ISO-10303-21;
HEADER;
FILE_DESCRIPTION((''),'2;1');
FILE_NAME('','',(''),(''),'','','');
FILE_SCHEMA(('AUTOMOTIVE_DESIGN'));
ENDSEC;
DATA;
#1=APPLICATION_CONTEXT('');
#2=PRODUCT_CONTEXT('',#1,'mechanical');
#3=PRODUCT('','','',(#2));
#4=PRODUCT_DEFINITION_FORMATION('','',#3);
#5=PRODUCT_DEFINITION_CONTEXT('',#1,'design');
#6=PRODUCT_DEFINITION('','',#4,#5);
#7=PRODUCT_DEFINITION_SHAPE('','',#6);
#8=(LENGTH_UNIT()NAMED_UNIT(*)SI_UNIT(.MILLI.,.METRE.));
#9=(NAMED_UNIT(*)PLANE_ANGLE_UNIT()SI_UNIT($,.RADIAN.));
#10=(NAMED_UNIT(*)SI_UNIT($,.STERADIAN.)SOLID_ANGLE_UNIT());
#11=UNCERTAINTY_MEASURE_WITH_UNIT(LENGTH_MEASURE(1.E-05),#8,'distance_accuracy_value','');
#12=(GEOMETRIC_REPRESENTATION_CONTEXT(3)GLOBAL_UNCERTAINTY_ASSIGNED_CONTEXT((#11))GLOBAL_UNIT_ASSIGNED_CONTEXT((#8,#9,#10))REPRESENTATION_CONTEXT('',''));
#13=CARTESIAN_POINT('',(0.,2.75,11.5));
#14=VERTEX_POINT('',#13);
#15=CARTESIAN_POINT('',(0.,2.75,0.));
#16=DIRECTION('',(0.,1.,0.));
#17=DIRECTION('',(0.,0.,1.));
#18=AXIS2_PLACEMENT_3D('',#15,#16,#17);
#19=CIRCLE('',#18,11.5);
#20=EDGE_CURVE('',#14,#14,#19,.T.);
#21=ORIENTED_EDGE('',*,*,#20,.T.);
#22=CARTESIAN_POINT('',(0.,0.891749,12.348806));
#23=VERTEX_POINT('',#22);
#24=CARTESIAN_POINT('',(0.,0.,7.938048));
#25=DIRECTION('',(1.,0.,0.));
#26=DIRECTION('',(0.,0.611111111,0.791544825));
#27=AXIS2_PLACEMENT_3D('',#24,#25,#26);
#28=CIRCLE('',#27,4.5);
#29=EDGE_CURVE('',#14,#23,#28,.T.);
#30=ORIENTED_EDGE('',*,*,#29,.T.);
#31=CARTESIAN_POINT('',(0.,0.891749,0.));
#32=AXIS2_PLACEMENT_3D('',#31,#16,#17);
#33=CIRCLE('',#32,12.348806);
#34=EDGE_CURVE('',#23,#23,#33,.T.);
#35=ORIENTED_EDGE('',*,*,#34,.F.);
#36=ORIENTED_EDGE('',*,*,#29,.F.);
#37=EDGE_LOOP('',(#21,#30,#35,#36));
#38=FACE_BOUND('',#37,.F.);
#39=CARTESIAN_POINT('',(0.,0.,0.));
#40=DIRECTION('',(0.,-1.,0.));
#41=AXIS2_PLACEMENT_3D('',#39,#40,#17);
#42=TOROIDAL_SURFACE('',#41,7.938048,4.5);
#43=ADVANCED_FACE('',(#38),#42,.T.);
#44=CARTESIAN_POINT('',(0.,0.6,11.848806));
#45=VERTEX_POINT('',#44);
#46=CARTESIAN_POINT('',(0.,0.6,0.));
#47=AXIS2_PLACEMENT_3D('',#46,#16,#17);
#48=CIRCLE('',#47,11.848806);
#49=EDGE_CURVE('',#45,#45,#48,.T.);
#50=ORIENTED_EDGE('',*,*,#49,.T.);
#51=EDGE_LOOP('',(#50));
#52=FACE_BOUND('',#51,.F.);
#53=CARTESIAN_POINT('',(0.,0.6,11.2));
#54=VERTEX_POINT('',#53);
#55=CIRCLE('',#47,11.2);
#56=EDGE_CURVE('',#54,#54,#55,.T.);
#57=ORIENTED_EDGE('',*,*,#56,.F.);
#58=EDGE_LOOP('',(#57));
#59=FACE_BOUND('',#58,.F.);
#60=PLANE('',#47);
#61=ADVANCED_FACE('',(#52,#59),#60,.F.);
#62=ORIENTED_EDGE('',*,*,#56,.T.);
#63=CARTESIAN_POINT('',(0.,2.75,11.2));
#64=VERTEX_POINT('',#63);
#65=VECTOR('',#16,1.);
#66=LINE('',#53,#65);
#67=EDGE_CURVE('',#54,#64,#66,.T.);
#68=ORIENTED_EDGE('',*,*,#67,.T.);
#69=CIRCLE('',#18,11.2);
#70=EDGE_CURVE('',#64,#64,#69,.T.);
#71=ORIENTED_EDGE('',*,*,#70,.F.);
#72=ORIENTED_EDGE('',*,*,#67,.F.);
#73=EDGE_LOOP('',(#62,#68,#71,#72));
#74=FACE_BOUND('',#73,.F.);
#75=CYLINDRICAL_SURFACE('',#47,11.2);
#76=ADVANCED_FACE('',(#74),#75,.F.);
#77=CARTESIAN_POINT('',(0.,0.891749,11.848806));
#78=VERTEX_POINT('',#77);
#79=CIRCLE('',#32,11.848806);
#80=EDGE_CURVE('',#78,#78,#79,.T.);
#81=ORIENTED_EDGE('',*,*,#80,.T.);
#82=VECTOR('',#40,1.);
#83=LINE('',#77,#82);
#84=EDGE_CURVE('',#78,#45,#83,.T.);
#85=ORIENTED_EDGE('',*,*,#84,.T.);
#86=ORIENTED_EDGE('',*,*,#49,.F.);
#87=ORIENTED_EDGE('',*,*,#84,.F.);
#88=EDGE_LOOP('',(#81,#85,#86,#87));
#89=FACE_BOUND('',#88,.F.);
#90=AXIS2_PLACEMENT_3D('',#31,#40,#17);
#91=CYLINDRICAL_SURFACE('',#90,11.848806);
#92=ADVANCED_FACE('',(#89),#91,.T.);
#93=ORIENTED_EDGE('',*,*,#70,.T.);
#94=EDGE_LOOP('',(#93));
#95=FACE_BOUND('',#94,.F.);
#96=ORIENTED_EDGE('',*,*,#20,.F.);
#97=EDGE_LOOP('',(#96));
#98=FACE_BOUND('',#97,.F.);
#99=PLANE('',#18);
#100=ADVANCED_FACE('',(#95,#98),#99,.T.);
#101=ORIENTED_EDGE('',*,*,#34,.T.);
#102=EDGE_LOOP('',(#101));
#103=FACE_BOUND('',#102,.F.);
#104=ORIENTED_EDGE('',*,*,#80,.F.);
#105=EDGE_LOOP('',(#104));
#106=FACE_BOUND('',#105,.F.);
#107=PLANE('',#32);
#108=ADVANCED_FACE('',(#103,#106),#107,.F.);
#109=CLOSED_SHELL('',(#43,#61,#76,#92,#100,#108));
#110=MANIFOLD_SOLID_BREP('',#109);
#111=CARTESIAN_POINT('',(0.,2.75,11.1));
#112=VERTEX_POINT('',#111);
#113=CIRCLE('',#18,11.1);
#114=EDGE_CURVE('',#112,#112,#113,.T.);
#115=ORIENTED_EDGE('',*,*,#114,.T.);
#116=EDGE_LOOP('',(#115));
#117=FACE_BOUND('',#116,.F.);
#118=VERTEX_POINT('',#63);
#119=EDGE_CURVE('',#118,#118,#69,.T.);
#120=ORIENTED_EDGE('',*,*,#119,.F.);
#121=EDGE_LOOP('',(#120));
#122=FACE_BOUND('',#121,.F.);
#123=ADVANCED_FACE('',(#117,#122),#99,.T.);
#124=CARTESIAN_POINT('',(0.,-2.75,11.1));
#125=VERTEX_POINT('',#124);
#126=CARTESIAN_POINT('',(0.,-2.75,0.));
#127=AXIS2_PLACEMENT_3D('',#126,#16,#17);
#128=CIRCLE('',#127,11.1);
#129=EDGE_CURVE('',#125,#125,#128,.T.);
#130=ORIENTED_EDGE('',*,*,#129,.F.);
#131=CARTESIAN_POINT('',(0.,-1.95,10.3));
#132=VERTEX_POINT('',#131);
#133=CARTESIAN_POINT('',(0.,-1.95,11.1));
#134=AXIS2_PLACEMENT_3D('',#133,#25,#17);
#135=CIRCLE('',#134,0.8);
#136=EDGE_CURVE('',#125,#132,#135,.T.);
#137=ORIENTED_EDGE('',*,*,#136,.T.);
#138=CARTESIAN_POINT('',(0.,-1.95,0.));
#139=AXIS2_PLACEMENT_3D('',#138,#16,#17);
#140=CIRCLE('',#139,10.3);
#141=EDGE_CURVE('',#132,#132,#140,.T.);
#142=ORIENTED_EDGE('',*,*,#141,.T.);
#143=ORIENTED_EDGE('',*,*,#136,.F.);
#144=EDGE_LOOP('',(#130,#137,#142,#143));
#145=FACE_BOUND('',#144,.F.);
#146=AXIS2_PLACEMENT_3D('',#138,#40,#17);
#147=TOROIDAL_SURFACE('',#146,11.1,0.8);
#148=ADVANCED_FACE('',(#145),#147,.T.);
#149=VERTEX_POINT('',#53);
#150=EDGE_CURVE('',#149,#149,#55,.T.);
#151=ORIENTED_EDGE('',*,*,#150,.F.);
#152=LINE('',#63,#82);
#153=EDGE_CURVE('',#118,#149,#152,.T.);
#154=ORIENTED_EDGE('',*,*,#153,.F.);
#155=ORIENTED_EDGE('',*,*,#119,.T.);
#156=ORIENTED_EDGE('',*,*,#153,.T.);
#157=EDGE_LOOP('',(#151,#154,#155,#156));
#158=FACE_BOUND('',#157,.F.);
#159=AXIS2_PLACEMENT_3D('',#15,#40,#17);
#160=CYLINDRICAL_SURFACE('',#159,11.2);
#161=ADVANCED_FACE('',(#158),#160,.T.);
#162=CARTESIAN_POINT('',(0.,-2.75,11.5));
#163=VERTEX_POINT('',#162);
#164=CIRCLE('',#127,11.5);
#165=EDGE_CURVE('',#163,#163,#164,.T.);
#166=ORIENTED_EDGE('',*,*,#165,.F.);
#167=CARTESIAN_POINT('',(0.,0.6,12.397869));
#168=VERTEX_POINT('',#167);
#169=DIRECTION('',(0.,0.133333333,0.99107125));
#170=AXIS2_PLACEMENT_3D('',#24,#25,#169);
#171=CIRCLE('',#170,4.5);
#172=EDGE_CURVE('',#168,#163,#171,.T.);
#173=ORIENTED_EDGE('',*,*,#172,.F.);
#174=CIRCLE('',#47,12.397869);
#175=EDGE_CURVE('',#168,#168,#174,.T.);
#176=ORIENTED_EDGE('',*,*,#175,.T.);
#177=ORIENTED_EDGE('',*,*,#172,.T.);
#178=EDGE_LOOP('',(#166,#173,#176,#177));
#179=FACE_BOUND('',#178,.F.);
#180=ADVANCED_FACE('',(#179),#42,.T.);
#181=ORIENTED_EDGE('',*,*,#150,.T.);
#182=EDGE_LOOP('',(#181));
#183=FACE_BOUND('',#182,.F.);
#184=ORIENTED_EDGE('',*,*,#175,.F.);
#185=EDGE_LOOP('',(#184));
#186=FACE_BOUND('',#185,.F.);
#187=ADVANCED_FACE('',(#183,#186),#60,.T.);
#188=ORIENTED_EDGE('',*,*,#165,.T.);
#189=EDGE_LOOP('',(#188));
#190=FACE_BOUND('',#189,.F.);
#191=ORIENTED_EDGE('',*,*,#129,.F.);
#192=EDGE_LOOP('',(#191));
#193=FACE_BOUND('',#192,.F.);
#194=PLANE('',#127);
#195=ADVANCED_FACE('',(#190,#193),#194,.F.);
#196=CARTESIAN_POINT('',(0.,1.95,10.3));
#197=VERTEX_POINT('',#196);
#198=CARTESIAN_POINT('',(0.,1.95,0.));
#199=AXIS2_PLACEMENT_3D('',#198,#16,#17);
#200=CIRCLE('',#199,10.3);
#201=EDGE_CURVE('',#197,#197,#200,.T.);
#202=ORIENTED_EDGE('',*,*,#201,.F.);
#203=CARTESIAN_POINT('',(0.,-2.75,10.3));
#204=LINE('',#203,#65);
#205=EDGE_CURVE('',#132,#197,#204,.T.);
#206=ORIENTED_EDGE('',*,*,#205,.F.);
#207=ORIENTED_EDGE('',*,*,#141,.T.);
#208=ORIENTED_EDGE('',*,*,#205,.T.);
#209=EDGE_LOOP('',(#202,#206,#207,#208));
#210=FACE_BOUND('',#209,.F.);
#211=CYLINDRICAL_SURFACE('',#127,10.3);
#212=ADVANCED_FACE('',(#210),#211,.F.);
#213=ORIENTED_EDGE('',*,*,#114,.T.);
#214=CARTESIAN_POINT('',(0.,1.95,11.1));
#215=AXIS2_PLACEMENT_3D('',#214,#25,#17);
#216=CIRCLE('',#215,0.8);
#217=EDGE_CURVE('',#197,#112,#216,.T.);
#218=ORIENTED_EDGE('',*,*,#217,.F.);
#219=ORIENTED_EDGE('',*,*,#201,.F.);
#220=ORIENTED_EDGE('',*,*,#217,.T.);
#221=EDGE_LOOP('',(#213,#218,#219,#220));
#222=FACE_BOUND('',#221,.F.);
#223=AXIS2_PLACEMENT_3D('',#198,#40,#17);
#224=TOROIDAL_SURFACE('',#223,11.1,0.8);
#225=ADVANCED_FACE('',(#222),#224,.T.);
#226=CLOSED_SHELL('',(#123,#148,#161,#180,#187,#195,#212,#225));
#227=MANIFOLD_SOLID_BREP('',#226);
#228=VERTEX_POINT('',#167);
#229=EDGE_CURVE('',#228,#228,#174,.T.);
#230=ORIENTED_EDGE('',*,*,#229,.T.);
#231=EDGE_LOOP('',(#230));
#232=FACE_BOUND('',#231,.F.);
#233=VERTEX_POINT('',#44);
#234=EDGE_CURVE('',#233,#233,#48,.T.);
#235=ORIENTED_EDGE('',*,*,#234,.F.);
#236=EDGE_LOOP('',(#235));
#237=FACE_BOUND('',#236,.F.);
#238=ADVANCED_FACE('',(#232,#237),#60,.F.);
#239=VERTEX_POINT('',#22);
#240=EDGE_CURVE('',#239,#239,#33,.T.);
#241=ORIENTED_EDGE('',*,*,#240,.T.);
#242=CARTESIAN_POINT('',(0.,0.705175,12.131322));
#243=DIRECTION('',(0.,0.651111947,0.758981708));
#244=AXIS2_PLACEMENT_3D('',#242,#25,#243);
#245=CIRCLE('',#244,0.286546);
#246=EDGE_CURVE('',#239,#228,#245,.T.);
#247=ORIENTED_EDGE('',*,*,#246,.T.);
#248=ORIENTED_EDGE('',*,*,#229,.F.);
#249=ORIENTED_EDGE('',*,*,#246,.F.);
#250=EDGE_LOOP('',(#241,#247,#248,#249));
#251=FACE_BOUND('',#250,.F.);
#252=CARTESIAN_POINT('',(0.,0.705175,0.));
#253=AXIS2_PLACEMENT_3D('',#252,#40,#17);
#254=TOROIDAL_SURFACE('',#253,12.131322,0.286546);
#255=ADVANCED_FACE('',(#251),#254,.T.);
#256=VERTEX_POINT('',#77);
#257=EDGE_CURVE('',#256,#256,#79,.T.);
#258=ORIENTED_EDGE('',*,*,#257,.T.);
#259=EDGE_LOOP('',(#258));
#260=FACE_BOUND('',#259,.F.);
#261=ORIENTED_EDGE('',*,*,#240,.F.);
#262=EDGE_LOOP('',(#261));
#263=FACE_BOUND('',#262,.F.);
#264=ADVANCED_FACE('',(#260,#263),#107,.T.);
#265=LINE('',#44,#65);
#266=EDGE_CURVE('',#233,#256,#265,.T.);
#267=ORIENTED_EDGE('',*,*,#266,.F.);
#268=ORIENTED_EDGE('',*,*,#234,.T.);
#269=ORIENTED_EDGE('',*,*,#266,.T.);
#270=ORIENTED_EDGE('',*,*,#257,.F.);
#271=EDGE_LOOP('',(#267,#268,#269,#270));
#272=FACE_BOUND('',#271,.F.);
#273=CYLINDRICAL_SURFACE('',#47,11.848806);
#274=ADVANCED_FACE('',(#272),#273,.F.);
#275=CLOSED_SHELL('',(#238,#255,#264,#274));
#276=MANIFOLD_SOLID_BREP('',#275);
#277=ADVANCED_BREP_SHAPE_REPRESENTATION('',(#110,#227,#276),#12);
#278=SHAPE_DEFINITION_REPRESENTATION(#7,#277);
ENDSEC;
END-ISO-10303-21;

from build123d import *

# Parameters (mm, degrees)
F6_R = 0.8


with BuildPart() as f3:
    # F2 (on Right) → F3 (revolve)
    with BuildSketch(Plane.YZ):
        with BuildLine():
            Line((-2.75, 11.5), (-2.75, 10.3))
            Line((-2.75, 10.3), (2.75, 10.3))
            Line((2.75, 10.3), (2.75, 11.2))
            Line((2.75, 11.2), (0.6, 11.2))
            Line((0.6, 11.2), (0.6, 11.8488059788))
            Line((0.6, 11.8488059788), (0.6, 12.397868912))
            ThreePointArc((0.6, 12.397868912), (-1.1649751696, 12.2846369334), (-2.75, 11.5))
        make_face()
    revolve(axis=Axis((0, 7.8418560492, 0), (0, 1, 0)))

    # F6
    f6_edges = [f3.edges().sort_by_distance(p)[0] for p in [
        (0, -2.75, -10.3),
        (0, 2.75, -10.3),
    ]]
    fillet(f6_edges, radius=F6_R)


with BuildPart() as f4:
    # F2 (on Right) → F4 (revolve)
    with BuildSketch(Plane.YZ):
        with BuildLine():
            Line((0.6, 11.2), (2.75, 11.2))
            Line((2.75, 11.2), (2.75, 11.5))
            ThreePointArc((2.75, 11.5), (1.8696796947, 12.0312497047), (0.8917491749, 12.3488059788))
            Line((0.8917491749, 12.3488059788), (0.8917491749, 11.8488059788))
            Line((0.8917491749, 11.8488059788), (0.6, 11.8488059788))
            Line((0.6, 11.8488059788), (0.6, 11.2))
        make_face()
    revolve(axis=Axis((0, 7.8418560492, 0), (0, 1, 0)))


with BuildPart() as f5:
    # F2 (on Right) → F5 (revolve)
    with BuildSketch(Plane.YZ):
        with BuildLine():
            ThreePointArc((0.8917491749, 12.3488059788), (0.7526960928, 12.4139010323), (0.6, 12.397868912))
            Line((0.6, 12.397868912), (0.6, 11.8488059788))
            Line((0.6, 11.8488059788), (0.8917491749, 11.8488059788))
            Line((0.8917491749, 11.8488059788), (0.8917491749, 12.3488059788))
        make_face()
    revolve(axis=Axis((0, 7.8418560492, 0), (0, 1, 0)))


solid = Compound([f3.part, f4.part, f5.part])
